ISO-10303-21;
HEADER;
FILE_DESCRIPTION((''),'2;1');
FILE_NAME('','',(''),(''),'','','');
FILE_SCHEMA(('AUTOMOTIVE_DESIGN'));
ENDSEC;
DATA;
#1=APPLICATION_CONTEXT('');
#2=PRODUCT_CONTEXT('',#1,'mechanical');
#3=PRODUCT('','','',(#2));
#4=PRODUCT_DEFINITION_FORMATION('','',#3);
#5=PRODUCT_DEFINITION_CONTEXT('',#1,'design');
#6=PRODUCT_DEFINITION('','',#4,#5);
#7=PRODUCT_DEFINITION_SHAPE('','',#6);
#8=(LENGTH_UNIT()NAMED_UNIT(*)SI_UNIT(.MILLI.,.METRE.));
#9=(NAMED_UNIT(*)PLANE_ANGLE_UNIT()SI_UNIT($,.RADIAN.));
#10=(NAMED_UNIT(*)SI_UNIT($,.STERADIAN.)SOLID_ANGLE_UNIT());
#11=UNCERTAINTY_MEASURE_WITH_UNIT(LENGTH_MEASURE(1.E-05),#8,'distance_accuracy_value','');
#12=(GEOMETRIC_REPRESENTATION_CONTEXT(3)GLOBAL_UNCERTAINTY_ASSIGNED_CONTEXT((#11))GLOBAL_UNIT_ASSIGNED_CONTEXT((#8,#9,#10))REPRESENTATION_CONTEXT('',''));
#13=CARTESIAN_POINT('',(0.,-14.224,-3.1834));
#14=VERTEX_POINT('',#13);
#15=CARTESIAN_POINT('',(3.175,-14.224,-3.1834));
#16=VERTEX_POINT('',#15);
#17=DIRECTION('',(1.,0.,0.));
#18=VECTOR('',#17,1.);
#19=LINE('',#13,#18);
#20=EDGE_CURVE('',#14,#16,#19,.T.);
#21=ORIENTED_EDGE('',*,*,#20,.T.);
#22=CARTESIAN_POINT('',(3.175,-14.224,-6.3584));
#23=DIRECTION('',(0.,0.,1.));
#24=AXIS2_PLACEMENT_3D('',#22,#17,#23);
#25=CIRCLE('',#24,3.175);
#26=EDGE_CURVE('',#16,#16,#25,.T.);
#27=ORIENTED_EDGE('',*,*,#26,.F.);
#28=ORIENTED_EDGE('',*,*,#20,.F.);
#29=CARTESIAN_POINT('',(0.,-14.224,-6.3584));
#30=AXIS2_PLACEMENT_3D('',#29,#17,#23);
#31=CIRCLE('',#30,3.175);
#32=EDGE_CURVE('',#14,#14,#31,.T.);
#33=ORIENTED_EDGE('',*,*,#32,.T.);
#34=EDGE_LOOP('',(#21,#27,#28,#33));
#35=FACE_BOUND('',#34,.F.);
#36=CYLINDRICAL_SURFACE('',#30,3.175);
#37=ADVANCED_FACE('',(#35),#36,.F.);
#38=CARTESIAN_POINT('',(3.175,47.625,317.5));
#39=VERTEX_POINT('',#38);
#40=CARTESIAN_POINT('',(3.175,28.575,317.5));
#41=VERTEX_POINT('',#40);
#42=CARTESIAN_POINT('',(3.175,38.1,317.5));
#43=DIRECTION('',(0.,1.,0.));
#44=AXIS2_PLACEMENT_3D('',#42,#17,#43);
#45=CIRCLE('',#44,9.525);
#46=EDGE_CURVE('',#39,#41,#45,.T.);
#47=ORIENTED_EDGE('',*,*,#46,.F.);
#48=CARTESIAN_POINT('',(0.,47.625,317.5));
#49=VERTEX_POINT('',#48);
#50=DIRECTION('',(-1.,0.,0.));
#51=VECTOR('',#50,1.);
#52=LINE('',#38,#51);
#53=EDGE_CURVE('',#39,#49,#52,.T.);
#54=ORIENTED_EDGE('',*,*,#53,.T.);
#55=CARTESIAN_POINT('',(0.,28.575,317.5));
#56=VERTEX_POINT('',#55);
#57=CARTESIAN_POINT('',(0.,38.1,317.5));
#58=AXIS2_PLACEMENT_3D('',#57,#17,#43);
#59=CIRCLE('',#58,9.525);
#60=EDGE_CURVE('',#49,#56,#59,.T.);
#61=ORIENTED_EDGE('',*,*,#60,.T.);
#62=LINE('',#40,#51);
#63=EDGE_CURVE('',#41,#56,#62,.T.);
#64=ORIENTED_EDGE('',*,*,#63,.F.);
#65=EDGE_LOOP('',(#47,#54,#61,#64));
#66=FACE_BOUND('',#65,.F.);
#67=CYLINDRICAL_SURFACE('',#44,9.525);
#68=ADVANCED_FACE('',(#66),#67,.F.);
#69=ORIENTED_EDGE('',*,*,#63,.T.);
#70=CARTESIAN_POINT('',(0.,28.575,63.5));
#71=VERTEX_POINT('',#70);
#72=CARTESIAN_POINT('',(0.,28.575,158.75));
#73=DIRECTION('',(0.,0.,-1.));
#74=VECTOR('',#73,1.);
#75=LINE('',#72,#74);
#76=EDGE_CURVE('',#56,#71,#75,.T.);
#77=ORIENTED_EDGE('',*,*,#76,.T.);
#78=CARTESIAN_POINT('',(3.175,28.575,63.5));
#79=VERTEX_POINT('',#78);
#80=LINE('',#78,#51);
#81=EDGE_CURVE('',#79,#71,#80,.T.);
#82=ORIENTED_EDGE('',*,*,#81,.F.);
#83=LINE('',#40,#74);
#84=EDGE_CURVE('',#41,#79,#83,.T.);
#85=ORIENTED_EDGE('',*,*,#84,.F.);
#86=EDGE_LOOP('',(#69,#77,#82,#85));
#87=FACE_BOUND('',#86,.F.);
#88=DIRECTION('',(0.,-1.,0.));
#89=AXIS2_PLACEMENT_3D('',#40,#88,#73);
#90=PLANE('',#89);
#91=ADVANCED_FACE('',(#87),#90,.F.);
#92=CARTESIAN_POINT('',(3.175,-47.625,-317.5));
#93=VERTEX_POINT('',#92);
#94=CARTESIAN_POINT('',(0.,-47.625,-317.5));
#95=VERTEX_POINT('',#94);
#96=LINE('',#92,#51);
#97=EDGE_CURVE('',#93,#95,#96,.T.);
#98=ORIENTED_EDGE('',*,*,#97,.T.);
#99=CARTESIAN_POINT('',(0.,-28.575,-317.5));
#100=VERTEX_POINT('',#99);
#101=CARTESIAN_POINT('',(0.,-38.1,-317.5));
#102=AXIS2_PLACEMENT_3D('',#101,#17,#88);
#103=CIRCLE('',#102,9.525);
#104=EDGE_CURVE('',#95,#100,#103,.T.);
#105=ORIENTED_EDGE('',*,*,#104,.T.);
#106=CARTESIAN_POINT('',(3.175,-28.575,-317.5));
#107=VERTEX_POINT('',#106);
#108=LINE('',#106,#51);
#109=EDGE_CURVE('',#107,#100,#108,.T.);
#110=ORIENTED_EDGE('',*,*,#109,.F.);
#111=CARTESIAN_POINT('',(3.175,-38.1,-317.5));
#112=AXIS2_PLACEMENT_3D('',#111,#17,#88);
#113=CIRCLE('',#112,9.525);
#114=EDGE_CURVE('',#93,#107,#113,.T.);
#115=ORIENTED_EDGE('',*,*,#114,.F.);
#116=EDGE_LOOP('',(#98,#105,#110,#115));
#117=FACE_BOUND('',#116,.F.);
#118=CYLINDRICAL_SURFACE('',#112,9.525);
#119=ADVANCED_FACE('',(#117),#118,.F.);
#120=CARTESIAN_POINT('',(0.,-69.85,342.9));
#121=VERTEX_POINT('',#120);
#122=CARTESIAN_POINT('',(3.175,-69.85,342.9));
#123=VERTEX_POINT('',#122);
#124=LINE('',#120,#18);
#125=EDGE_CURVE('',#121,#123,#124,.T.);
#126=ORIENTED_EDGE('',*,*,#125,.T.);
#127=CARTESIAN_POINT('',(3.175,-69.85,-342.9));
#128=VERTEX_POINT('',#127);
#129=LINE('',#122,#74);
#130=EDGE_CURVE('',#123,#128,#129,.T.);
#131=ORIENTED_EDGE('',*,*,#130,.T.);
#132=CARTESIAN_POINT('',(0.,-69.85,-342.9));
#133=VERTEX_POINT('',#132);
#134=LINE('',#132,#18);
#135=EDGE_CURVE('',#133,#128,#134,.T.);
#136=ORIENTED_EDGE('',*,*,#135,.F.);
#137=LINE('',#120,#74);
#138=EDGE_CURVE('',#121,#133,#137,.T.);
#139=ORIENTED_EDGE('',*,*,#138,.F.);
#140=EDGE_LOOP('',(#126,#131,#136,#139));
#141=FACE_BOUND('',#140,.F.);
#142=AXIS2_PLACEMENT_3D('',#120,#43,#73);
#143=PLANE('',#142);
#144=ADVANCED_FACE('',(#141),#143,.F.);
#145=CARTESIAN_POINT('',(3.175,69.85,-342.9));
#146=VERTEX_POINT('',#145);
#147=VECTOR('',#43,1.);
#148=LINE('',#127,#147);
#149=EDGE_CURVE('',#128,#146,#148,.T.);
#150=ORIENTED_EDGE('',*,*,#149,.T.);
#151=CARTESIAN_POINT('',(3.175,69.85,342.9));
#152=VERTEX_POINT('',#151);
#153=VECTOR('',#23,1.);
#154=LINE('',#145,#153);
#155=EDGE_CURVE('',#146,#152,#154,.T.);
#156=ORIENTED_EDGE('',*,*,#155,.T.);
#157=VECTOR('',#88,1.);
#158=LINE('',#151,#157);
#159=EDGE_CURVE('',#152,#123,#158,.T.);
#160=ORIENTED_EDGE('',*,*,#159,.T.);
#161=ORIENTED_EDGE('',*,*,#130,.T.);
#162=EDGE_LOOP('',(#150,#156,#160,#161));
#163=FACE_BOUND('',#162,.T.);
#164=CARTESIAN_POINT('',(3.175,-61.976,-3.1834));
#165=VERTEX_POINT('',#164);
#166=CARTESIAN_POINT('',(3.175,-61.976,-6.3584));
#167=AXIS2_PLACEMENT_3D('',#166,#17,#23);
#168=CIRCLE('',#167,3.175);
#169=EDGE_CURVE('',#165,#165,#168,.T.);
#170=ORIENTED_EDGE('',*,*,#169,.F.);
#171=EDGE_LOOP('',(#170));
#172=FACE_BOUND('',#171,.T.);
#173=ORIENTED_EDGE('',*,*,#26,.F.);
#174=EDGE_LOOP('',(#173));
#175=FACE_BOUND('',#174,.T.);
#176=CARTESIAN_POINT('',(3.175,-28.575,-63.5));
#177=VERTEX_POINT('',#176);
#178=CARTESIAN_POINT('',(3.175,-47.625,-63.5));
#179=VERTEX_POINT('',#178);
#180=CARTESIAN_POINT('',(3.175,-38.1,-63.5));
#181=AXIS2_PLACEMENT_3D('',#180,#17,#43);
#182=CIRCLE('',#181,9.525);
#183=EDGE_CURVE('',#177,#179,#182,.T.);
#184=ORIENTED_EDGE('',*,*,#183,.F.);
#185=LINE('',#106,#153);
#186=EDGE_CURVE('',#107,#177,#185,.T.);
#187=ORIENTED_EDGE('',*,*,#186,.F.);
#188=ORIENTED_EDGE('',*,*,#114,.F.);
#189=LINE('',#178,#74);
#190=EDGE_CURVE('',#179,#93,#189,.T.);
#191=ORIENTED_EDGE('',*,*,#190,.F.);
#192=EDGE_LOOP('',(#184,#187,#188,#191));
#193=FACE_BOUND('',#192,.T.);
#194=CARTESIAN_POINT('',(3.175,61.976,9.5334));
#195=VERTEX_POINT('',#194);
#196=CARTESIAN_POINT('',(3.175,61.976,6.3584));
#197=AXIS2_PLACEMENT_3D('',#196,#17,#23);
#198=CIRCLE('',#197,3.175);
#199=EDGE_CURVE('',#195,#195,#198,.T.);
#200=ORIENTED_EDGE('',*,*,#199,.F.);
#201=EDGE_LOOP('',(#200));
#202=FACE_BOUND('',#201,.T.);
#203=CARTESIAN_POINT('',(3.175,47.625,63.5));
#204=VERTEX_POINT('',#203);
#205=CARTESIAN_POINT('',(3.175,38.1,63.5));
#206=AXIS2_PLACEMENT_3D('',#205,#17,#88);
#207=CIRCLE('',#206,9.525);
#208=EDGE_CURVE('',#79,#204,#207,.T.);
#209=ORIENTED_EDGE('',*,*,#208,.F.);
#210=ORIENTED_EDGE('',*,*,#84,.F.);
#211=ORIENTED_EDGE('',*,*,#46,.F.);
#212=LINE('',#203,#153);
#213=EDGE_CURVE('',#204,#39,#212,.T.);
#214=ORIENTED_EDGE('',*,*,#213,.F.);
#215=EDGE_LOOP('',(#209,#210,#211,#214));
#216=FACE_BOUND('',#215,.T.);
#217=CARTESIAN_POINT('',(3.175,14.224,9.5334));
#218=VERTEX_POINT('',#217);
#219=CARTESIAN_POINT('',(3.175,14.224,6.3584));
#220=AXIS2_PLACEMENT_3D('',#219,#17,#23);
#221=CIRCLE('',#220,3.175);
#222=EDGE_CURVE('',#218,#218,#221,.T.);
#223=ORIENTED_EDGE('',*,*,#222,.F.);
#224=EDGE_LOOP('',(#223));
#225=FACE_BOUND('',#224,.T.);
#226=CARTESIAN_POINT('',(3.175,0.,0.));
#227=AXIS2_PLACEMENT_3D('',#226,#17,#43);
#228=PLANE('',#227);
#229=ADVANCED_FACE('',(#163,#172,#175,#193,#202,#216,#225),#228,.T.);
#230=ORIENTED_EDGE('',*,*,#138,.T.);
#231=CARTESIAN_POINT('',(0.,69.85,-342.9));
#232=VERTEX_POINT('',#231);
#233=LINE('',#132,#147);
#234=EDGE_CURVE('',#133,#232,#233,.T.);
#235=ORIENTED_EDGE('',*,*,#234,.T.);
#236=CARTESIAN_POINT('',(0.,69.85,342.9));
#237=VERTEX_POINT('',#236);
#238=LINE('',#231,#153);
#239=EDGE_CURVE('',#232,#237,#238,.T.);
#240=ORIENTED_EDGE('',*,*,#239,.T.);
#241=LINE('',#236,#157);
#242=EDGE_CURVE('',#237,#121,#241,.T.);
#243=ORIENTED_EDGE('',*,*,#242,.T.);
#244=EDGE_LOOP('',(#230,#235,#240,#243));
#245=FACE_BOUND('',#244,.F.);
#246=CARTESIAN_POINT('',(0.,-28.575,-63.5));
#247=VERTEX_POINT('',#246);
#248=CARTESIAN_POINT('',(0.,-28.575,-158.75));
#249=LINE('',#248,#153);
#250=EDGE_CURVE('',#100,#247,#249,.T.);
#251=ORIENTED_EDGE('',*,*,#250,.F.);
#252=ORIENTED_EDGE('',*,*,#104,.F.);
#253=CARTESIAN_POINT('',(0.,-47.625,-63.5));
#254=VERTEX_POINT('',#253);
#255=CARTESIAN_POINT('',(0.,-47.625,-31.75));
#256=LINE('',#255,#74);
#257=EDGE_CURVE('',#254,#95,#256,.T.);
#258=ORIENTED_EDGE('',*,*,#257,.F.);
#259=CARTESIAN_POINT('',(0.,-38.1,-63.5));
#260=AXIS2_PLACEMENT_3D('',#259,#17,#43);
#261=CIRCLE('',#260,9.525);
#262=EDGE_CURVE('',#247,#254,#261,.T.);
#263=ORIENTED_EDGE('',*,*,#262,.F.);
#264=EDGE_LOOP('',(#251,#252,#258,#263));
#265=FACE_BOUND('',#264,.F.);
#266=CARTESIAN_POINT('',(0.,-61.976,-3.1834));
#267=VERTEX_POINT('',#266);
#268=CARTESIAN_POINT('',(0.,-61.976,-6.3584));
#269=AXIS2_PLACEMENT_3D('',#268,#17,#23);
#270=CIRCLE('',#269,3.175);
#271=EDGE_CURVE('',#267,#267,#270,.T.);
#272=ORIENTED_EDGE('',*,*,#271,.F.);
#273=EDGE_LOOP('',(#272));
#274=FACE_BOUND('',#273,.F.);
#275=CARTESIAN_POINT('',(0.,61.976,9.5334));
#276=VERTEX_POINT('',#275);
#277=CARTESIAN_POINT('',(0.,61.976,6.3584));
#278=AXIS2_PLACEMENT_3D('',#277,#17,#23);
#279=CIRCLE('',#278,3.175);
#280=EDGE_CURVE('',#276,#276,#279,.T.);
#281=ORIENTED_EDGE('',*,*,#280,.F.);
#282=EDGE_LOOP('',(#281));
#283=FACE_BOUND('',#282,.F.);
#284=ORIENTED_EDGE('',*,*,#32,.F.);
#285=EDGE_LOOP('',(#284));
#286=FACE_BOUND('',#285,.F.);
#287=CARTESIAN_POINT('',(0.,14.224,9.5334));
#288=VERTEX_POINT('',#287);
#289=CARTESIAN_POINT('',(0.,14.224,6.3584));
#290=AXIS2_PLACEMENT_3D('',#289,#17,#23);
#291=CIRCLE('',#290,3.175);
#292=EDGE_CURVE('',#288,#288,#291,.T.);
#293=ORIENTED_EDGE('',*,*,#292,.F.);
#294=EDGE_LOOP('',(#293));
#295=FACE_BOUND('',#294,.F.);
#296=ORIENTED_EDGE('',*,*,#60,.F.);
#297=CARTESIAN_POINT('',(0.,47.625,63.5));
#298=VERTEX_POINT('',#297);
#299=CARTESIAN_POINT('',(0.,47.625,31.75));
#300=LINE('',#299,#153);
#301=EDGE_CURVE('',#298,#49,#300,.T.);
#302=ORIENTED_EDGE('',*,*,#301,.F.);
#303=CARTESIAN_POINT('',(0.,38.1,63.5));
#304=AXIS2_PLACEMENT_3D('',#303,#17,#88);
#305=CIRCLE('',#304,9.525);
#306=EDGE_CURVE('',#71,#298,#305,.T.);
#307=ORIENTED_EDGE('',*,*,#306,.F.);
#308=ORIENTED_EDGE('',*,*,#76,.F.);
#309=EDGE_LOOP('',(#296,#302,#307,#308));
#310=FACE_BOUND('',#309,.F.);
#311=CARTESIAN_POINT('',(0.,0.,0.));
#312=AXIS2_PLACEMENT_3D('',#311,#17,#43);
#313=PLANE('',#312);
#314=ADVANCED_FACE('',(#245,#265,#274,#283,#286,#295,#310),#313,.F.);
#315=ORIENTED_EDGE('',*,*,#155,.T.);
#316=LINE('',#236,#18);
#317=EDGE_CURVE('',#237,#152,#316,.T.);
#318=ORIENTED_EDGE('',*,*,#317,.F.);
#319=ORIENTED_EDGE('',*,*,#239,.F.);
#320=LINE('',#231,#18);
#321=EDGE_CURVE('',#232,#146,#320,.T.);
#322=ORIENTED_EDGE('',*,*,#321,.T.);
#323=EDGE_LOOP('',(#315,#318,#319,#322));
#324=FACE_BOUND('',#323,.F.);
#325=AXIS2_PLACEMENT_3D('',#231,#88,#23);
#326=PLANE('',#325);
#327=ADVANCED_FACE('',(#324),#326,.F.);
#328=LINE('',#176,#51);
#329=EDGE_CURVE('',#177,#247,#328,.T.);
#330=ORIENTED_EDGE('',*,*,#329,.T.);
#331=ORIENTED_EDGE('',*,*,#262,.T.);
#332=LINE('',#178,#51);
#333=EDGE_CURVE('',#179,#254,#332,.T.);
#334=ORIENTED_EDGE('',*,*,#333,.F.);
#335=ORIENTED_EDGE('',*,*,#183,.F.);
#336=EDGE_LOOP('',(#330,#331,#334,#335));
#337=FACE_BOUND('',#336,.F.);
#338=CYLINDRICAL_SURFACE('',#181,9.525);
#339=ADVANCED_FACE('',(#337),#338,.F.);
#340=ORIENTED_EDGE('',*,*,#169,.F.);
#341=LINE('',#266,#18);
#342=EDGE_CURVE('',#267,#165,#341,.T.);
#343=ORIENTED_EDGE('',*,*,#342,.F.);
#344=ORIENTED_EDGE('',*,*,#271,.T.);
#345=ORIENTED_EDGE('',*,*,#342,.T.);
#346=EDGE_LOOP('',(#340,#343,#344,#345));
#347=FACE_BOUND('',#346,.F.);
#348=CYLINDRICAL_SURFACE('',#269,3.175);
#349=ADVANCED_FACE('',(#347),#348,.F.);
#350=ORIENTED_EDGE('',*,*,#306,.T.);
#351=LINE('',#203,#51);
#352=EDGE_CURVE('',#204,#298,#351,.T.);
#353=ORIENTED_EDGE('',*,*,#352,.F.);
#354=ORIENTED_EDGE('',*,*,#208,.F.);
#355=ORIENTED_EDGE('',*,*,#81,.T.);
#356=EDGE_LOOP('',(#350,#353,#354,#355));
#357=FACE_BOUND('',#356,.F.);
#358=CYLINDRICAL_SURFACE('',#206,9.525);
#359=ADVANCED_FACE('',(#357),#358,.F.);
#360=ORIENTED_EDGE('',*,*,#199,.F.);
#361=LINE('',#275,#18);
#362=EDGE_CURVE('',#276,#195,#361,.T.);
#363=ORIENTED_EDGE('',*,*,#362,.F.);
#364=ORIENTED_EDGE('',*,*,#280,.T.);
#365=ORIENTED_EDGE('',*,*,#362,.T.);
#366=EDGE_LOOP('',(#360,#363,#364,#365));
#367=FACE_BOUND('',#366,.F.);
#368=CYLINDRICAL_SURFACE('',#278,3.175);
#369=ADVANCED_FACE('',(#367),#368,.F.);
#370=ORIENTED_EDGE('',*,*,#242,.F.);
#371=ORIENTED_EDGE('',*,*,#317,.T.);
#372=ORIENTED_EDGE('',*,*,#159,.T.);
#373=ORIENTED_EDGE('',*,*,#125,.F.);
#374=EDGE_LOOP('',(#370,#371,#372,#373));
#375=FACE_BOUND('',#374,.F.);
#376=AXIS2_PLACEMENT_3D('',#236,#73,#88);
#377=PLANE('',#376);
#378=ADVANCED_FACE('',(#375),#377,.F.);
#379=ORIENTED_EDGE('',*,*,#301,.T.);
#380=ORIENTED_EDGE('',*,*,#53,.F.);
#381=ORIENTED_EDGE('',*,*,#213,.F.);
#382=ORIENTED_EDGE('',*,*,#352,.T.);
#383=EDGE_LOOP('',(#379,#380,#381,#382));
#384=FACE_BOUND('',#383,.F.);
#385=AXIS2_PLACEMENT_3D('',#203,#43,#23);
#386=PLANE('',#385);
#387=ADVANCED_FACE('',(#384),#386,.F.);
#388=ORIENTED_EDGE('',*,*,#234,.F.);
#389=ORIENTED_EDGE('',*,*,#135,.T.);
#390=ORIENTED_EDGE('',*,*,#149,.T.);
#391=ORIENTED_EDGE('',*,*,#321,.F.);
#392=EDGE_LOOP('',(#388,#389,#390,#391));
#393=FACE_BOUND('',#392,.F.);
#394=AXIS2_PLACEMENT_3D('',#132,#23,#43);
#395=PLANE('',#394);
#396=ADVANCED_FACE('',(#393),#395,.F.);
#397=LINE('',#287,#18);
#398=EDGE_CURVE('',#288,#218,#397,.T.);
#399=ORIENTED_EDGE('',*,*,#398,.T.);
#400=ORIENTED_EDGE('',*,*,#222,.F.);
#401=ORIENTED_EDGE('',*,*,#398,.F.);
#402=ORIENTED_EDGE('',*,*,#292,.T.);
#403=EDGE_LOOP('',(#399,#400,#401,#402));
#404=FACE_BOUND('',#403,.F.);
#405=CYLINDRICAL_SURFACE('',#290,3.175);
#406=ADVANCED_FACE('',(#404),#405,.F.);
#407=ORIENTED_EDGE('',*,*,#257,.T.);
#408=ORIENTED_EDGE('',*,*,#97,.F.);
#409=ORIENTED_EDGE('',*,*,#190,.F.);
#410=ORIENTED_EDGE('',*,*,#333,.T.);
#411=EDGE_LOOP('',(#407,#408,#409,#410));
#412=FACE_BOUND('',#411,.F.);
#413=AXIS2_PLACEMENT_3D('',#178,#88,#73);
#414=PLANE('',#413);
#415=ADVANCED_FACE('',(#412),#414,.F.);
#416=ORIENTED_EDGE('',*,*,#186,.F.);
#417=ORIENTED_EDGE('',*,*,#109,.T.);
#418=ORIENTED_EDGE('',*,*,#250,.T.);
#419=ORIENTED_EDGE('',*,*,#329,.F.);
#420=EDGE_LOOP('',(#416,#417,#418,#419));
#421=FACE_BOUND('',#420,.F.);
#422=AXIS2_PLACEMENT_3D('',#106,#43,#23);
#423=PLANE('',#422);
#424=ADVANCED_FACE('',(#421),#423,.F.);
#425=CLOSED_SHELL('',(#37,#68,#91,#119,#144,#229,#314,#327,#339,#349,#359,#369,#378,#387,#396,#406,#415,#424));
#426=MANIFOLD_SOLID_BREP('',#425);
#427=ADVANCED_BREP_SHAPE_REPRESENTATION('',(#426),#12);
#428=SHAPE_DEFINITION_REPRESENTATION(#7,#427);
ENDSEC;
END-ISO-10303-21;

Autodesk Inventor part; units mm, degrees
ref_plane "YZ Plane" through (0, 0, 0) normal (1, 0, 0) x (0, 1, 0)
ref_plane "XZ Plane" through (0, 0, 0) normal (0, 1, 0) x (-1, 0, 0)
ref_plane "XY Plane" through (0, 0, 0) normal (0, 0, 1) x (1, 0, 0)
sketch "Sketch1" plane through (0, 0, 0) normal (1, 0, 0) x (0, 1, 0)
  line L0 (-69.85, 342.9) -> (-69.85, -342.9)
  line L1 (-69.85, -342.9) -> (69.85, -342.9)
  line L2 (69.85, -342.9) -> (69.85, 342.9)
  line L3 (69.85, 342.9) -> (-69.85, 342.9)
  line L4 (-69.85, 342.9) -> (69.85, -342.9) construction
  line L5 (-69.85, -342.9) -> (69.85, 342.9) construction
  point P0 (0, 0)
  dimension "width" = 685.8
  dimension "height" = 139.7
extrude "Extrusion1" add sketch "Sketch1" along normal blind 3.175
sketch "Sketch2" plane through (3.175, 0, 0) normal (1, 0, 0) x (0, 0, -1)
  line L0 (-317.5, 38.1) -> (-63.5, 38.1) construction
  line L1 (-317.5, 28.575) -> (-63.5, 28.575)
  line L2 (-63.5, 47.625) -> (-317.5, 47.625)
  arc A0 (-317.5, 47.625) -> (-317.5, 28.575) centre (-317.5, 38.1) ccw
  arc A1 (-63.5, 28.575) -> (-63.5, 47.625) centre (-63.5, 38.1) ccw
  line L3 (342.9, 69.85) -> (-342.9, 69.85) projected
  line L4 (-342.9, 69.85) -> (-342.9, -69.85) projected
  line L5 (63.5, -38.1) -> (317.5, -38.1) construction
  line L6 (63.5, -47.625) -> (317.5, -47.625)
  line L7 (317.5, -28.575) -> (63.5, -28.575)
  arc A2 (63.5, -28.575) -> (63.5, -47.625) centre (63.5, -38.1) ccw
  arc A3 (317.5, -47.625) -> (317.5, -28.575) centre (317.5, -38.1) ccw
  line L8 (-342.9, -69.85) -> (342.9, -69.85) projected
  line L9 (342.9, -69.85) -> (342.9, 69.85) projected
  point P0 (0, 0)
  point P1 (-190.5, 38.1)
  point P2 (190.5, -38.1)
  dimension "slot_center_from_top" = 31.75
  dimension "slot_center_from_side" = 152.4
  dimension "slot_radius" = 9.525
  dimension "d7" = 31.75
  dimension "d8" = 152.4
  dimension "d9" = 9.525
  dimension "length_of_slot" = 254
  dimension "d13" = 254
extrude "Extrusion2" cut sketch "Sketch2" against normal through all contours A0 L2 A1 L1 | A2 L7 A3 L6
sketch "Sketch3" plane through (0, 0, 0) normal (-1, 0, 0) x (0, 0, 1)
  line L0 (-342.9, 69.85) -> (342.9, 69.85) construction
  line L1 (6.3584, 69.85) -> (6.3584, -72.7678) construction
  line L2 (342.9, 69.85) -> (342.9, -69.85) construction
  line L3 (-6.3584, 69.85) -> (-6.3584, -69.85) construction
  line L4 (-342.9, -69.85) -> (-342.9, 69.85) construction
  line L5 (-6.3584, 61.976) -> (6.3584, 61.976) construction
  line L6 (-6.3584, -61.976) -> (6.3584, -61.976) construction
  line L7 (342.9, -69.85) -> (-342.9, -69.85) construction
  line L8 (-6.3584, 14.224) -> (6.3584, 14.224) construction
  line L9 (-6.3584, -14.224) -> (6.3584, -14.224) construction
  point P0 (0, 0)
  point P1 (80.6051, 237.827)
  point P2 (47.886, -92.9067)
  dimension "Vertical_Line_For_Bolt_Holes" = 336.5416
  dimension "d15" = 336.5416
  dimension "First_Horizontal_Line" = 7.874
  dimension "d17" = 7.874
  dimension "Second_Horizontal_Line" = 47.752
  dimension "d19" = 47.752
hole "Hole1" at (0, 61.976, 6.3584) at (0, -61.976, -6.3584) at (0, 237.827, 80.6051) at (0, -92.9067, 47.886) at (0, 14.224, 6.3584) at (0, -14.224, -6.3584) direction (1, 0, 0) diameter 6.35 end through all
equation "\"d7\" = slot_center_from_top"
equation "\"d8\" = slot_center_from_side"
equation "\"d9\" = slot_radius"
equation "\"d13\" = length_of_slot"
equation "\"d15\" = Vertical_Line_For_Bolt_Holes"
equation "\"d17\" = First_Horizontal_Line"
equation "\"d19\" = Second_Horizontal_Line"
properties part number "5.5 x 27 x 1/8 x 3/8" material "Polyethylene, High Density"
